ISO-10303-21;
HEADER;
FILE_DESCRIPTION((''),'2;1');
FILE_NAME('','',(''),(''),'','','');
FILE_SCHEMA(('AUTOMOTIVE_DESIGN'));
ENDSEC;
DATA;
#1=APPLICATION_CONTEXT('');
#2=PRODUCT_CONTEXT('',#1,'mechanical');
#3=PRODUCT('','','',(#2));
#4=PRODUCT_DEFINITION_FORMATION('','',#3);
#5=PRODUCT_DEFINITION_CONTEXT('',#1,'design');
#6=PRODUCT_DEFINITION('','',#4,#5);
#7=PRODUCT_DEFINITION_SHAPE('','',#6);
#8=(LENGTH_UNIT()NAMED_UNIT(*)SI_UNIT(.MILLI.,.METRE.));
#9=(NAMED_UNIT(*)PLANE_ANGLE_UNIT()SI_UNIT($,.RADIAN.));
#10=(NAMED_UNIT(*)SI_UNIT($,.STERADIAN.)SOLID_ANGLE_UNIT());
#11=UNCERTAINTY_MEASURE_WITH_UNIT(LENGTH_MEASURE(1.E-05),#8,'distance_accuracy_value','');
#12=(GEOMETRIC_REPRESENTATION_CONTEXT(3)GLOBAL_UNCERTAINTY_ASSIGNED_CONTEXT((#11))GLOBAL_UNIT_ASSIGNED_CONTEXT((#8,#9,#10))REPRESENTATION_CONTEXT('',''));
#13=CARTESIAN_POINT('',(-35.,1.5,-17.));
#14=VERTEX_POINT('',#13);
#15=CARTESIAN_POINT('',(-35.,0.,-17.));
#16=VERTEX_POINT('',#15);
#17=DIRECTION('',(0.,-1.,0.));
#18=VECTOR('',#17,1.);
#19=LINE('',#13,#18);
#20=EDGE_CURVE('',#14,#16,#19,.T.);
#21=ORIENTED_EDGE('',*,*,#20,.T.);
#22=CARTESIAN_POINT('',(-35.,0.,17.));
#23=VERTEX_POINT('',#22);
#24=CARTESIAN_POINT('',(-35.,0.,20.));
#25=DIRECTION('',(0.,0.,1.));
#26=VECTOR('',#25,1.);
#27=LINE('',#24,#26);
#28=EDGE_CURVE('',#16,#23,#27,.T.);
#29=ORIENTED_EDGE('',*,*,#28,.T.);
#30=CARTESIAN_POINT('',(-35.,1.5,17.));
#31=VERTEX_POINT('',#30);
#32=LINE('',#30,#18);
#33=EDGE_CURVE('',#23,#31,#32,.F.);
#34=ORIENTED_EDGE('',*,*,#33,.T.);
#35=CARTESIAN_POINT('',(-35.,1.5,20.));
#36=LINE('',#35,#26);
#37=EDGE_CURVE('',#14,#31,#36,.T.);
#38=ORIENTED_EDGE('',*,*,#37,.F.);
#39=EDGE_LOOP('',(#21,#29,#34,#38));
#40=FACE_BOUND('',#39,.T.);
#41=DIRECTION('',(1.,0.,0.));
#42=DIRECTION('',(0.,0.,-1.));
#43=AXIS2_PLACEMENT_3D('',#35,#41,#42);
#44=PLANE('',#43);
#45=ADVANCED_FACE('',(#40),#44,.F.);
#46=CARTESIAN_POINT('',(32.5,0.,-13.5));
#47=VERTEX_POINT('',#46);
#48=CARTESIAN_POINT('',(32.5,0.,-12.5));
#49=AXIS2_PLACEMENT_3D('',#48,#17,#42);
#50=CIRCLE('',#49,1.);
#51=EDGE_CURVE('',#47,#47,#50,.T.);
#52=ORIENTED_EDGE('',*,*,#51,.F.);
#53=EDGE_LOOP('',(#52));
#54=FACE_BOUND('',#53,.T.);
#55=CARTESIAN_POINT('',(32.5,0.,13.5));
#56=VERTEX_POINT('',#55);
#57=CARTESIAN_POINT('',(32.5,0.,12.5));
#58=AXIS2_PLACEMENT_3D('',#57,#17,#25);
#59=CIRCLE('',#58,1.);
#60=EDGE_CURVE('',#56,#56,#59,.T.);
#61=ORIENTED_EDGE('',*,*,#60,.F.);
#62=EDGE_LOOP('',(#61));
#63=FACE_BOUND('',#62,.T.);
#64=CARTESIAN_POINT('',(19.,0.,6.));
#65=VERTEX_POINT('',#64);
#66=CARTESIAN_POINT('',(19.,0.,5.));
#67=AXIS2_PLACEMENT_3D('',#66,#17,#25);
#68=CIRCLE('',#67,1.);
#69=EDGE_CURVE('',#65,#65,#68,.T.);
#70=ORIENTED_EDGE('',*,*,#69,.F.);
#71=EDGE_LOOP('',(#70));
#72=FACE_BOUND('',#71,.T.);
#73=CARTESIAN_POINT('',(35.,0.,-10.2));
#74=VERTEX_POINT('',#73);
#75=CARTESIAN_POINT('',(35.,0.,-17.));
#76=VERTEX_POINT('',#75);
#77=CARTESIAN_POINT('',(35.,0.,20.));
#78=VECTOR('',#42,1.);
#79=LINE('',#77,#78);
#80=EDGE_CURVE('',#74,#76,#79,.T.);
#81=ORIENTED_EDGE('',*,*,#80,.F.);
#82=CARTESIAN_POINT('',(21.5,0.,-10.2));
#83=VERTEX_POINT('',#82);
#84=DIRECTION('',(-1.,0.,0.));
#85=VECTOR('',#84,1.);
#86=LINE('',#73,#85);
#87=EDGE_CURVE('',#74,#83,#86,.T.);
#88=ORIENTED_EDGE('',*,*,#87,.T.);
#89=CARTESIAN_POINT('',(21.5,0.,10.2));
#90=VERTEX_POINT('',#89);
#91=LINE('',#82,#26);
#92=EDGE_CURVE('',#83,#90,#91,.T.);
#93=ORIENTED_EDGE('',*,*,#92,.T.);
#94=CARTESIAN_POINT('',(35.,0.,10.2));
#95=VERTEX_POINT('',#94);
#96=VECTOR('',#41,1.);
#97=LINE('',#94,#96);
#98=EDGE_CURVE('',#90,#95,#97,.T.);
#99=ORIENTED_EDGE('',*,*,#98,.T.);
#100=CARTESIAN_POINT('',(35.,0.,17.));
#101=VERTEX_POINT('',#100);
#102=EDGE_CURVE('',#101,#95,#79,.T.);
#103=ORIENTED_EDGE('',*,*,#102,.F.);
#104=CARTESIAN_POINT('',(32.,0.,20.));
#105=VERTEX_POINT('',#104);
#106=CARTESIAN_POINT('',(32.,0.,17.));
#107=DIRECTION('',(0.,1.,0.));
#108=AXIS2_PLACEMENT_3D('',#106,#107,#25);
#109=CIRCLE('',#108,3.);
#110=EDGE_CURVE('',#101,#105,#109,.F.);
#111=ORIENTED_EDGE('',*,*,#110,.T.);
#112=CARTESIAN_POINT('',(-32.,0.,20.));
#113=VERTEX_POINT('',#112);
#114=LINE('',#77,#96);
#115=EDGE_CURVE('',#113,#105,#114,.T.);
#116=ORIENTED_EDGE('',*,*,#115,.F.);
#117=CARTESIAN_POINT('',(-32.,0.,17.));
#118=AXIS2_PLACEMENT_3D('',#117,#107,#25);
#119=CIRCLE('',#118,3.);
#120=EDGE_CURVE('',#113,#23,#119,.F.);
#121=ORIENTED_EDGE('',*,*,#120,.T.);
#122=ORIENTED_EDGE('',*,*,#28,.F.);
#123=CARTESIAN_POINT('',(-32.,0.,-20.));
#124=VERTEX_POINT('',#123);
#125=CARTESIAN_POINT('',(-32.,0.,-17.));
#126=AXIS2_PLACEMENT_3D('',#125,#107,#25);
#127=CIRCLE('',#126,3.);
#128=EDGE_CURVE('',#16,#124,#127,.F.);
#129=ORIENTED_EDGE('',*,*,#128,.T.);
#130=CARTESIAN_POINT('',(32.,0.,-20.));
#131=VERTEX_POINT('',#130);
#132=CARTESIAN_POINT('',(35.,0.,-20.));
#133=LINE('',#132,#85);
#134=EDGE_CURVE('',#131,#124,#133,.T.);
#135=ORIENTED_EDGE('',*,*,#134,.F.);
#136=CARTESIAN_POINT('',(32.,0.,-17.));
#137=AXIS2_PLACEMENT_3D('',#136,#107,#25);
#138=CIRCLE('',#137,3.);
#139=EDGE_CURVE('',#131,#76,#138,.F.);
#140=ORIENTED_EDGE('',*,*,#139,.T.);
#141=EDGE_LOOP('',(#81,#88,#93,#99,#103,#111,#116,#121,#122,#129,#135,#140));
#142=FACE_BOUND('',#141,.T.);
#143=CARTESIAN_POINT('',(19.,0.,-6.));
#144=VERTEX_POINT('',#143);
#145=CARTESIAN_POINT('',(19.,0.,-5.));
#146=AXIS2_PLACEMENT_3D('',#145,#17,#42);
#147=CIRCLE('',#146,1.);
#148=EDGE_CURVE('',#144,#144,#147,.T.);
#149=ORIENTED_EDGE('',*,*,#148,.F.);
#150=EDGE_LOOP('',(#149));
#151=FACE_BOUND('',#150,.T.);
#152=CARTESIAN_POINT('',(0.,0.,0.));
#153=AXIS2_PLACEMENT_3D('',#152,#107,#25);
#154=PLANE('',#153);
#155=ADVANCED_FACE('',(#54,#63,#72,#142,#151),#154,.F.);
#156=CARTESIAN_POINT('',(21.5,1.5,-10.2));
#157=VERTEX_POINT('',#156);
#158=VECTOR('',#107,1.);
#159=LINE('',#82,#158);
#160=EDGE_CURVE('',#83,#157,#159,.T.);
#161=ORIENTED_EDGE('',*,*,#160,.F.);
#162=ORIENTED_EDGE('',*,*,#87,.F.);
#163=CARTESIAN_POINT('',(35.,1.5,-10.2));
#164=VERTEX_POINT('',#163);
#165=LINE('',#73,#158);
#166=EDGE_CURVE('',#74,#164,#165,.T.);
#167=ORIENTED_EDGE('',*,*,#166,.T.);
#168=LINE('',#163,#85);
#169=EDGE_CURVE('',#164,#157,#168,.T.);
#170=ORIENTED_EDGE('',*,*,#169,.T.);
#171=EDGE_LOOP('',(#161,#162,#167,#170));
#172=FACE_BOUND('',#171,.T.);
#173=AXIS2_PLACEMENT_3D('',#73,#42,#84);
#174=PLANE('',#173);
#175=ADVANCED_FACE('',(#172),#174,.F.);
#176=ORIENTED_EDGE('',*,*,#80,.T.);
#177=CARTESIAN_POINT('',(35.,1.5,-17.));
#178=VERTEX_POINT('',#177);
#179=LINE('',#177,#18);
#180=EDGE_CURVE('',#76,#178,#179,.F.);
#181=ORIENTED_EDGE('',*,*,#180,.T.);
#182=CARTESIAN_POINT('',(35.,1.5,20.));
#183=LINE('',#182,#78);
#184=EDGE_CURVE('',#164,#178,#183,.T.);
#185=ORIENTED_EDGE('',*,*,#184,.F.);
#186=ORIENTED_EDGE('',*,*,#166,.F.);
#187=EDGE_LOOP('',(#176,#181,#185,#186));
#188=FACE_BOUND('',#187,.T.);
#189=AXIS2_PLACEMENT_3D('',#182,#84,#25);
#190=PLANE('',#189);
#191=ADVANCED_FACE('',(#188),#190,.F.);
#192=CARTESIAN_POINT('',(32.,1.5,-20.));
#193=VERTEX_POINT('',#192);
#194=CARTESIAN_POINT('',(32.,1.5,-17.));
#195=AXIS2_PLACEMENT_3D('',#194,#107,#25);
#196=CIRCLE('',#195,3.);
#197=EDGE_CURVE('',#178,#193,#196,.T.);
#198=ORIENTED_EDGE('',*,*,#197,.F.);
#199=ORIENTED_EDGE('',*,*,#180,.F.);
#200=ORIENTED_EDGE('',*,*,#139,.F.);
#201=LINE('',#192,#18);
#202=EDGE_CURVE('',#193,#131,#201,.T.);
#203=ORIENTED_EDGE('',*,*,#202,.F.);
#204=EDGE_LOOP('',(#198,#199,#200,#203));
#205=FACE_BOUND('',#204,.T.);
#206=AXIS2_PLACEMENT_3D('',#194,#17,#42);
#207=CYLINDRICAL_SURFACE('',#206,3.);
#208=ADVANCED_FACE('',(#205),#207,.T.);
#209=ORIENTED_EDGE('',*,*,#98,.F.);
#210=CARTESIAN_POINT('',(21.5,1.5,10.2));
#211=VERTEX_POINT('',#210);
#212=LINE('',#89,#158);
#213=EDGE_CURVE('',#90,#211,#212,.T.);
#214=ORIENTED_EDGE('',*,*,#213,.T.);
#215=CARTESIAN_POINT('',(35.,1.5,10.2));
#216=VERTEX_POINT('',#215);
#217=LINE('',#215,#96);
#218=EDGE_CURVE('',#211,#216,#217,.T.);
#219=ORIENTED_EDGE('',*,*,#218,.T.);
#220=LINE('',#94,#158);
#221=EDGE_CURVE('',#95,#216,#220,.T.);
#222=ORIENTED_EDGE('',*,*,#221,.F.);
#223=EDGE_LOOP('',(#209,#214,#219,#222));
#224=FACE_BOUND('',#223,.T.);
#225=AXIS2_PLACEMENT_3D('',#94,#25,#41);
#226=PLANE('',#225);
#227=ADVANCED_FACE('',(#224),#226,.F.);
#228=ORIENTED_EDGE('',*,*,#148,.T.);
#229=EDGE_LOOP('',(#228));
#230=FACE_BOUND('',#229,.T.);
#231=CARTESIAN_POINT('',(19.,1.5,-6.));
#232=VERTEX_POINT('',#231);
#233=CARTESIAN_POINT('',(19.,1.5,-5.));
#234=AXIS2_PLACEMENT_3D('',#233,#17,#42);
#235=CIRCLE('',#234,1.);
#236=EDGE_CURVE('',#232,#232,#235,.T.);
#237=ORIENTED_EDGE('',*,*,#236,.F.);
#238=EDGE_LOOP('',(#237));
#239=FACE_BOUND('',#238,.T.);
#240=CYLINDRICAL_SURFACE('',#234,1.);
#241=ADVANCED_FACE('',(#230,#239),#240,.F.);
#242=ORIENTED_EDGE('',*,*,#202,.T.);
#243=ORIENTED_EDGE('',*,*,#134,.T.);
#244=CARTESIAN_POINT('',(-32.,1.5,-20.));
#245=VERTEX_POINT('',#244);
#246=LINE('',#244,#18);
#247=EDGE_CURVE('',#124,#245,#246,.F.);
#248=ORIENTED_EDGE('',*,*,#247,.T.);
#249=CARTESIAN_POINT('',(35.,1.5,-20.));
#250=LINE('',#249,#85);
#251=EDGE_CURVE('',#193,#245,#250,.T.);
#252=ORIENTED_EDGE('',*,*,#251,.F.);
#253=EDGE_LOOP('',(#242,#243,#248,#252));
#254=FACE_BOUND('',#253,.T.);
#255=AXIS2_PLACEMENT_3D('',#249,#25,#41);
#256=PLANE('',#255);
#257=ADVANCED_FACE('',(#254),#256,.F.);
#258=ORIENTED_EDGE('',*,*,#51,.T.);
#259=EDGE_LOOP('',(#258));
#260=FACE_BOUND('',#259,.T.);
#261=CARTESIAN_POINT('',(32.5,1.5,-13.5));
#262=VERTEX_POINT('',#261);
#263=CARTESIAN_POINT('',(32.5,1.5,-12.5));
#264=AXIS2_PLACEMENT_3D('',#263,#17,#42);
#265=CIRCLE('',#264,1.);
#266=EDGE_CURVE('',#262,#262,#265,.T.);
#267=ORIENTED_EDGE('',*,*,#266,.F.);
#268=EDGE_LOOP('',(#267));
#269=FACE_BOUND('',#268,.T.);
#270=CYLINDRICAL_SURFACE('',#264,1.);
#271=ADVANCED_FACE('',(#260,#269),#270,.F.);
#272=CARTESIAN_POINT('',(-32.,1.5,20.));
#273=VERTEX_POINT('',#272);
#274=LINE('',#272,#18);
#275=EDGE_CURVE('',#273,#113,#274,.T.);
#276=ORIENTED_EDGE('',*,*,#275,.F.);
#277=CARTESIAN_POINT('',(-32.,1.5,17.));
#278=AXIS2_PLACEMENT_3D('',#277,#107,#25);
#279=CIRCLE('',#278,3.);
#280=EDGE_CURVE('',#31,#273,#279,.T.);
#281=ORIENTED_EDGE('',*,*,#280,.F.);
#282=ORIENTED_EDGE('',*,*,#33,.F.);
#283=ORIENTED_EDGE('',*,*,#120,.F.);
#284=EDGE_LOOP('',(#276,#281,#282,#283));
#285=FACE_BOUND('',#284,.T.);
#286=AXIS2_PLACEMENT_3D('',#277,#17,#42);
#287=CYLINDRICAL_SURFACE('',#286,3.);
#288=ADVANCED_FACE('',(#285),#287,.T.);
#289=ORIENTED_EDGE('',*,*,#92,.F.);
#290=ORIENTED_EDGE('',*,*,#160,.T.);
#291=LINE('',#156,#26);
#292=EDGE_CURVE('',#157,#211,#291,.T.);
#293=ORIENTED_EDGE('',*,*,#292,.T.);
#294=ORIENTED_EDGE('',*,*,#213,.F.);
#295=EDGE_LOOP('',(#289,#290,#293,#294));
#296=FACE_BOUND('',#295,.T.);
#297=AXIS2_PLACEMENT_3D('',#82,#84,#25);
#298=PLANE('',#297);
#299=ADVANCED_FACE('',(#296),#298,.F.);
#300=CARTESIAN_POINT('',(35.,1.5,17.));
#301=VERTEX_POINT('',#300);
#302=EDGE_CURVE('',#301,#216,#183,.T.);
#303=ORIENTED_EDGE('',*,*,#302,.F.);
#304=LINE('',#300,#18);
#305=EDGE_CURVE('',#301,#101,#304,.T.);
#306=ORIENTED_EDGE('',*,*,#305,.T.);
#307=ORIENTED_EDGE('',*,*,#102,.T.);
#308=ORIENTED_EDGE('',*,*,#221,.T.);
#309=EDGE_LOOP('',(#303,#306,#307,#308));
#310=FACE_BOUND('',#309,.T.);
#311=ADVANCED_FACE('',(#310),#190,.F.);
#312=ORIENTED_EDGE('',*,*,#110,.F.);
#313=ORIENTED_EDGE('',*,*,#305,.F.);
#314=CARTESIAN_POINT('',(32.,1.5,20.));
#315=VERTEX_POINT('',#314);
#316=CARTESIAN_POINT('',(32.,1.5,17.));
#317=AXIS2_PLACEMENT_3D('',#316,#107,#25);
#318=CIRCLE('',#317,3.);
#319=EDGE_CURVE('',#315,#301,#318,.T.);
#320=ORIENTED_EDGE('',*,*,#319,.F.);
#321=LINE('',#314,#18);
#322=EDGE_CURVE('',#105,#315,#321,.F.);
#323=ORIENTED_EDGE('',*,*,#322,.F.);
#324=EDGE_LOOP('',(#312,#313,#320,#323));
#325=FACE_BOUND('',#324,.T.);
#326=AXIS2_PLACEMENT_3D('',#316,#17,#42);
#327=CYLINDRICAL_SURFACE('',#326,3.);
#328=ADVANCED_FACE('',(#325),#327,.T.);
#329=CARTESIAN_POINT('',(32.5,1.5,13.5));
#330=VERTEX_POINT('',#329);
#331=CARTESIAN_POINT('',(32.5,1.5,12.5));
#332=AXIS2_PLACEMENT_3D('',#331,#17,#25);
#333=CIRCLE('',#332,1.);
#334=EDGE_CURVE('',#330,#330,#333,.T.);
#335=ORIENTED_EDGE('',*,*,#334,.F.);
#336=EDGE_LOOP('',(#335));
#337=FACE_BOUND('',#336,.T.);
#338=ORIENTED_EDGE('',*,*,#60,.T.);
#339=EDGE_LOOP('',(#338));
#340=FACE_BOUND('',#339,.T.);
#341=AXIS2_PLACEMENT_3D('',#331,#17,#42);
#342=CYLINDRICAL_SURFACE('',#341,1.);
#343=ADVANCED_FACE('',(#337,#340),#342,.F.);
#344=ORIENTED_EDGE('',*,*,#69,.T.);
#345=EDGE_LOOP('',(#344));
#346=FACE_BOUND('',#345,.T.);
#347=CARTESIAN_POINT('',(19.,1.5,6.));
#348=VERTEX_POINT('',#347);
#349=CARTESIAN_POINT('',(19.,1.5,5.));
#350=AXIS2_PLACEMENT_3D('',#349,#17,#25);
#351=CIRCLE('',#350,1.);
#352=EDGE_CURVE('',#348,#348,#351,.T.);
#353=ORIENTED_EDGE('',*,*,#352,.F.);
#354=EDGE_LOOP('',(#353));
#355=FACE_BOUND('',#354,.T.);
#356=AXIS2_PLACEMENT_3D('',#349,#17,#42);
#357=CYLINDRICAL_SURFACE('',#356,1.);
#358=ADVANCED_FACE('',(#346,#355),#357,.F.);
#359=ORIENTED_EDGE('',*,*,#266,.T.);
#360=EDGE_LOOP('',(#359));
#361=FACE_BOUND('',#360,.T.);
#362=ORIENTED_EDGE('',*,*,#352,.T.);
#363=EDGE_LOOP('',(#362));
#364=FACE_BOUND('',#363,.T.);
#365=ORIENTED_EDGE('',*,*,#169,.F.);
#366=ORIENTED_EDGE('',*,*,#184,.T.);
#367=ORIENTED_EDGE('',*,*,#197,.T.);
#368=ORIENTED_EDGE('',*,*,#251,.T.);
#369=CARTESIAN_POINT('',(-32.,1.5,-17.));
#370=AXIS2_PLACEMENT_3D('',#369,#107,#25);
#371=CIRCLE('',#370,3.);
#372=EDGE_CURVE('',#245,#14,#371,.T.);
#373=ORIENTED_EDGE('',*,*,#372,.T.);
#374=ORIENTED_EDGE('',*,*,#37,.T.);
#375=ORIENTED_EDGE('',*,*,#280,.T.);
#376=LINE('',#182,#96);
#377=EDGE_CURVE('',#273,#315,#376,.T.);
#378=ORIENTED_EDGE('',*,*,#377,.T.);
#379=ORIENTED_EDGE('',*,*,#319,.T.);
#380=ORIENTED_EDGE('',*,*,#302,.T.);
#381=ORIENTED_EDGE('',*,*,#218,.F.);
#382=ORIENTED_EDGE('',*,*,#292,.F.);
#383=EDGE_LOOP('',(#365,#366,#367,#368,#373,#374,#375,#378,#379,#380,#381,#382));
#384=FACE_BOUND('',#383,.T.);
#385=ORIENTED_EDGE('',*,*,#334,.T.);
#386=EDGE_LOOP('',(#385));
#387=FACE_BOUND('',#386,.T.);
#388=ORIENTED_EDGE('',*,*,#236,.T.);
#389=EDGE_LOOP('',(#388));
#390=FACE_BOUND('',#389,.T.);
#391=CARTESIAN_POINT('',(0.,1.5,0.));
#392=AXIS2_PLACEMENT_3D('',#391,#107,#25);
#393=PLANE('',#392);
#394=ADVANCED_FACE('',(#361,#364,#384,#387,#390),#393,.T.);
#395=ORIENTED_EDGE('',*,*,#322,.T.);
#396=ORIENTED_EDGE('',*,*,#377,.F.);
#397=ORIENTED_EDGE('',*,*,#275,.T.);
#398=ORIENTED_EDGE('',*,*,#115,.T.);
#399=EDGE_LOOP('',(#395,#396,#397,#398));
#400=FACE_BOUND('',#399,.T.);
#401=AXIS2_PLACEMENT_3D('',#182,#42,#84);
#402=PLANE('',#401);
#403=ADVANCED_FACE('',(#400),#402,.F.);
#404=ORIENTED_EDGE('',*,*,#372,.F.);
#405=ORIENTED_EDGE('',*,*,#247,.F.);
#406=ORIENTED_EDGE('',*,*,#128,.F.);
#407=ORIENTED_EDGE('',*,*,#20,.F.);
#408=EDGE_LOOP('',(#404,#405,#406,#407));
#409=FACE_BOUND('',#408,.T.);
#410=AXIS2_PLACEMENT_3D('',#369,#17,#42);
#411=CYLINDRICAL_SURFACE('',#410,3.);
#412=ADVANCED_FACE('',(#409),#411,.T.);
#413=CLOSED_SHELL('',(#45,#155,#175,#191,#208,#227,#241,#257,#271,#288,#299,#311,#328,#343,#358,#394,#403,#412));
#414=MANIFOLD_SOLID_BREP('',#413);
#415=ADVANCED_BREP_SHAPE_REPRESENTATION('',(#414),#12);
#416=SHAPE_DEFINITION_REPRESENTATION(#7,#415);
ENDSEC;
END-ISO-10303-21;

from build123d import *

# Parameters (mm, degrees)
SKETCH_1_W          = 70
SKETCH_1_H          = 40
EXTRUDE_1_DEPTH     = 1.5
FILLET_1_R          = 3
SKETCH_2_W          = 13.5
SKETCH_2_H          = 20.4
CUT_EXTRUDE_1_DEPTH = 41.339186903
SKETCH_3_R          = 1
CUT_EXTRUDE_2_DEPTH = 41.339186903


with BuildPart() as part:
    # Эскиз1 → Бобышка-Вытянуть1 (new body)
    with BuildSketch(Plane(origin=(0, 0, 0), x_dir=(1, 0, 0), z_dir=(0, 1, 0))):
        Rectangle(SKETCH_1_W, SKETCH_1_H)
    extrude(amount=EXTRUDE_1_DEPTH)

    # Скругление1
    fillet_1_edges = [part.edges().sort_by_distance(p)[0] for p in [
        (-35, 0.75, -20),
        (35, 0.75, -20),
        (35, 0.75, 20),
        (-35, 0.75, 20),
    ]]
    fillet(fillet_1_edges, radius=FILLET_1_R)

    # Эскиз2 → Вырез-Вытянуть1 (cut, through all)
    with BuildSketch(Plane(origin=(0, 1.5, 0), x_dir=(1, 0, 0), z_dir=(0, 1, 0))):
        with Locations((28.25, 0)):
            Rectangle(SKETCH_2_W, SKETCH_2_H)
    extrude(amount=-CUT_EXTRUDE_1_DEPTH, mode=Mode.SUBTRACT)

    # Эскиз3 → Вырез-Вытянуть2 (cut, through all)
    with BuildSketch(Plane.XZ):
        with Locations(Location((19, -5, 0), (0, 0, 270))):
            Circle(SKETCH_3_R)
        with Locations(Location((19, 5, 0), (0, 0, 90))):
            Circle(SKETCH_3_R)
        with Locations(Location((32.5, -12.5, 0), (0, 0, 270))):
            Circle(SKETCH_3_R)
        with Locations(Location((32.5, 12.5, 0), (0, 0, 90))):
            Circle(SKETCH_3_R)
    extrude(amount=-CUT_EXTRUDE_2_DEPTH, mode=Mode.SUBTRACT)


solid = part.part
